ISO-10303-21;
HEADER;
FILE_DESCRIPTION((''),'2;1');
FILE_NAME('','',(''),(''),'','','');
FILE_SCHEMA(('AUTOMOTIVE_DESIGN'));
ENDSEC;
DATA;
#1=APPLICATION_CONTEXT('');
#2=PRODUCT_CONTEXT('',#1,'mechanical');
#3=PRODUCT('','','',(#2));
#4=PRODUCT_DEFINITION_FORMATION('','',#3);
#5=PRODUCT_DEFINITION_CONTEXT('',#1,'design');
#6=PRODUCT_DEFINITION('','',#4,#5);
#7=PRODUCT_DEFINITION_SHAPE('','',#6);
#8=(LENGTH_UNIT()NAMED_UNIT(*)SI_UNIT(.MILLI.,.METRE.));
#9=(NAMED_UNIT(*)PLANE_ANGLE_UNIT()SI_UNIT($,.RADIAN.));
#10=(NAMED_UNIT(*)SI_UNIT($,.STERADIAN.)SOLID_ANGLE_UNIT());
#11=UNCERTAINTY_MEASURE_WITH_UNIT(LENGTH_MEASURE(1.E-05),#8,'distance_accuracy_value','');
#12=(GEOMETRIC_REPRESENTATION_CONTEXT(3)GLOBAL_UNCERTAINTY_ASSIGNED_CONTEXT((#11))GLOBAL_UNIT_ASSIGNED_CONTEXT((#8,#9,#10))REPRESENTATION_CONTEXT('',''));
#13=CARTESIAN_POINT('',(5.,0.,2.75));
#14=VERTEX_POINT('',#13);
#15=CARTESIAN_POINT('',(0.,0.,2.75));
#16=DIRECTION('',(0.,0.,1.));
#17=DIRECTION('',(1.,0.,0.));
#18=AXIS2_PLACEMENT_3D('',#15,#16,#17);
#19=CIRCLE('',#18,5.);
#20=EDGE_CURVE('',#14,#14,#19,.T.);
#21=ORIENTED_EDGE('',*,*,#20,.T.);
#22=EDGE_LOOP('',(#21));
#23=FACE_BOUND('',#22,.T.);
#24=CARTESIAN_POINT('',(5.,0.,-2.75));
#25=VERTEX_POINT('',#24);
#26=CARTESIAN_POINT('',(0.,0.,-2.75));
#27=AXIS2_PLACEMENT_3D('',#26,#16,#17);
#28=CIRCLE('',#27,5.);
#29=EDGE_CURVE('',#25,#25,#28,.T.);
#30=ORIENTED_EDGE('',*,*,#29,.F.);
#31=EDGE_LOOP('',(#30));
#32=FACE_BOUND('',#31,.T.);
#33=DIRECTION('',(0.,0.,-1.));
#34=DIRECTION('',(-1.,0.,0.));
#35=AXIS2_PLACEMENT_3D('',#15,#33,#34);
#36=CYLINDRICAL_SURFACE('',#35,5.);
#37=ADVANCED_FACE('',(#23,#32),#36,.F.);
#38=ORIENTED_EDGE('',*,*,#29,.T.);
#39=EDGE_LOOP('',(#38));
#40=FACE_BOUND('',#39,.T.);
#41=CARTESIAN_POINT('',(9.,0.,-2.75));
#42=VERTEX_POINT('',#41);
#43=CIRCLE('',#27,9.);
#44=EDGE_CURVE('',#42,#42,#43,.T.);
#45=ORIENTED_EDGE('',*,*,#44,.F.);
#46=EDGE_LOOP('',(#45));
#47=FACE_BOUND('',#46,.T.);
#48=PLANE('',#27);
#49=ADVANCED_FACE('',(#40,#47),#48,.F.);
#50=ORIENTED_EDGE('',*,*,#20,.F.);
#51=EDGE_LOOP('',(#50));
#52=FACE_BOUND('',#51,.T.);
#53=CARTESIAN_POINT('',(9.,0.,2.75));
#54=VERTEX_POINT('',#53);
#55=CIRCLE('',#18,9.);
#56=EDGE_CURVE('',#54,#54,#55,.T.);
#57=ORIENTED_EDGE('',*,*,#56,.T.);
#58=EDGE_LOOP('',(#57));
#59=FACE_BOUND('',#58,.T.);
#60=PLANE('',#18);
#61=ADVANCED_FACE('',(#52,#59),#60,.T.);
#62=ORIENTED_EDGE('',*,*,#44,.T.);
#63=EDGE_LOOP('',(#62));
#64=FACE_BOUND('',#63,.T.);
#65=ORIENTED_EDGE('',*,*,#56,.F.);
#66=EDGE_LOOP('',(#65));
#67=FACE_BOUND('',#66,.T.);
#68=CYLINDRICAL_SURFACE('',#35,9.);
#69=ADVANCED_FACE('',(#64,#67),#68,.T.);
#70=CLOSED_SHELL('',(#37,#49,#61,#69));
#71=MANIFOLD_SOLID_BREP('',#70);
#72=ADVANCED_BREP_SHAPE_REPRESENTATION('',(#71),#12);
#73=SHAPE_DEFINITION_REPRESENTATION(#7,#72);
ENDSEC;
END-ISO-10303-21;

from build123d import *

# Parameters (mm, degrees)
SKETCH_1_R      = 9
SKETCH_1_R_2    = 5
EXTRUDE_1_DEPTH = 2.75


with BuildPart() as part:
    # 草图1 → 凸台-拉伸1 (new, symmetric)
    with BuildSketch(Plane.XY):
        Circle(SKETCH_1_R)
        Circle(SKETCH_1_R_2, mode=Mode.SUBTRACT)
    extrude(amount=EXTRUDE_1_DEPTH, both=True)


solid = part.part
